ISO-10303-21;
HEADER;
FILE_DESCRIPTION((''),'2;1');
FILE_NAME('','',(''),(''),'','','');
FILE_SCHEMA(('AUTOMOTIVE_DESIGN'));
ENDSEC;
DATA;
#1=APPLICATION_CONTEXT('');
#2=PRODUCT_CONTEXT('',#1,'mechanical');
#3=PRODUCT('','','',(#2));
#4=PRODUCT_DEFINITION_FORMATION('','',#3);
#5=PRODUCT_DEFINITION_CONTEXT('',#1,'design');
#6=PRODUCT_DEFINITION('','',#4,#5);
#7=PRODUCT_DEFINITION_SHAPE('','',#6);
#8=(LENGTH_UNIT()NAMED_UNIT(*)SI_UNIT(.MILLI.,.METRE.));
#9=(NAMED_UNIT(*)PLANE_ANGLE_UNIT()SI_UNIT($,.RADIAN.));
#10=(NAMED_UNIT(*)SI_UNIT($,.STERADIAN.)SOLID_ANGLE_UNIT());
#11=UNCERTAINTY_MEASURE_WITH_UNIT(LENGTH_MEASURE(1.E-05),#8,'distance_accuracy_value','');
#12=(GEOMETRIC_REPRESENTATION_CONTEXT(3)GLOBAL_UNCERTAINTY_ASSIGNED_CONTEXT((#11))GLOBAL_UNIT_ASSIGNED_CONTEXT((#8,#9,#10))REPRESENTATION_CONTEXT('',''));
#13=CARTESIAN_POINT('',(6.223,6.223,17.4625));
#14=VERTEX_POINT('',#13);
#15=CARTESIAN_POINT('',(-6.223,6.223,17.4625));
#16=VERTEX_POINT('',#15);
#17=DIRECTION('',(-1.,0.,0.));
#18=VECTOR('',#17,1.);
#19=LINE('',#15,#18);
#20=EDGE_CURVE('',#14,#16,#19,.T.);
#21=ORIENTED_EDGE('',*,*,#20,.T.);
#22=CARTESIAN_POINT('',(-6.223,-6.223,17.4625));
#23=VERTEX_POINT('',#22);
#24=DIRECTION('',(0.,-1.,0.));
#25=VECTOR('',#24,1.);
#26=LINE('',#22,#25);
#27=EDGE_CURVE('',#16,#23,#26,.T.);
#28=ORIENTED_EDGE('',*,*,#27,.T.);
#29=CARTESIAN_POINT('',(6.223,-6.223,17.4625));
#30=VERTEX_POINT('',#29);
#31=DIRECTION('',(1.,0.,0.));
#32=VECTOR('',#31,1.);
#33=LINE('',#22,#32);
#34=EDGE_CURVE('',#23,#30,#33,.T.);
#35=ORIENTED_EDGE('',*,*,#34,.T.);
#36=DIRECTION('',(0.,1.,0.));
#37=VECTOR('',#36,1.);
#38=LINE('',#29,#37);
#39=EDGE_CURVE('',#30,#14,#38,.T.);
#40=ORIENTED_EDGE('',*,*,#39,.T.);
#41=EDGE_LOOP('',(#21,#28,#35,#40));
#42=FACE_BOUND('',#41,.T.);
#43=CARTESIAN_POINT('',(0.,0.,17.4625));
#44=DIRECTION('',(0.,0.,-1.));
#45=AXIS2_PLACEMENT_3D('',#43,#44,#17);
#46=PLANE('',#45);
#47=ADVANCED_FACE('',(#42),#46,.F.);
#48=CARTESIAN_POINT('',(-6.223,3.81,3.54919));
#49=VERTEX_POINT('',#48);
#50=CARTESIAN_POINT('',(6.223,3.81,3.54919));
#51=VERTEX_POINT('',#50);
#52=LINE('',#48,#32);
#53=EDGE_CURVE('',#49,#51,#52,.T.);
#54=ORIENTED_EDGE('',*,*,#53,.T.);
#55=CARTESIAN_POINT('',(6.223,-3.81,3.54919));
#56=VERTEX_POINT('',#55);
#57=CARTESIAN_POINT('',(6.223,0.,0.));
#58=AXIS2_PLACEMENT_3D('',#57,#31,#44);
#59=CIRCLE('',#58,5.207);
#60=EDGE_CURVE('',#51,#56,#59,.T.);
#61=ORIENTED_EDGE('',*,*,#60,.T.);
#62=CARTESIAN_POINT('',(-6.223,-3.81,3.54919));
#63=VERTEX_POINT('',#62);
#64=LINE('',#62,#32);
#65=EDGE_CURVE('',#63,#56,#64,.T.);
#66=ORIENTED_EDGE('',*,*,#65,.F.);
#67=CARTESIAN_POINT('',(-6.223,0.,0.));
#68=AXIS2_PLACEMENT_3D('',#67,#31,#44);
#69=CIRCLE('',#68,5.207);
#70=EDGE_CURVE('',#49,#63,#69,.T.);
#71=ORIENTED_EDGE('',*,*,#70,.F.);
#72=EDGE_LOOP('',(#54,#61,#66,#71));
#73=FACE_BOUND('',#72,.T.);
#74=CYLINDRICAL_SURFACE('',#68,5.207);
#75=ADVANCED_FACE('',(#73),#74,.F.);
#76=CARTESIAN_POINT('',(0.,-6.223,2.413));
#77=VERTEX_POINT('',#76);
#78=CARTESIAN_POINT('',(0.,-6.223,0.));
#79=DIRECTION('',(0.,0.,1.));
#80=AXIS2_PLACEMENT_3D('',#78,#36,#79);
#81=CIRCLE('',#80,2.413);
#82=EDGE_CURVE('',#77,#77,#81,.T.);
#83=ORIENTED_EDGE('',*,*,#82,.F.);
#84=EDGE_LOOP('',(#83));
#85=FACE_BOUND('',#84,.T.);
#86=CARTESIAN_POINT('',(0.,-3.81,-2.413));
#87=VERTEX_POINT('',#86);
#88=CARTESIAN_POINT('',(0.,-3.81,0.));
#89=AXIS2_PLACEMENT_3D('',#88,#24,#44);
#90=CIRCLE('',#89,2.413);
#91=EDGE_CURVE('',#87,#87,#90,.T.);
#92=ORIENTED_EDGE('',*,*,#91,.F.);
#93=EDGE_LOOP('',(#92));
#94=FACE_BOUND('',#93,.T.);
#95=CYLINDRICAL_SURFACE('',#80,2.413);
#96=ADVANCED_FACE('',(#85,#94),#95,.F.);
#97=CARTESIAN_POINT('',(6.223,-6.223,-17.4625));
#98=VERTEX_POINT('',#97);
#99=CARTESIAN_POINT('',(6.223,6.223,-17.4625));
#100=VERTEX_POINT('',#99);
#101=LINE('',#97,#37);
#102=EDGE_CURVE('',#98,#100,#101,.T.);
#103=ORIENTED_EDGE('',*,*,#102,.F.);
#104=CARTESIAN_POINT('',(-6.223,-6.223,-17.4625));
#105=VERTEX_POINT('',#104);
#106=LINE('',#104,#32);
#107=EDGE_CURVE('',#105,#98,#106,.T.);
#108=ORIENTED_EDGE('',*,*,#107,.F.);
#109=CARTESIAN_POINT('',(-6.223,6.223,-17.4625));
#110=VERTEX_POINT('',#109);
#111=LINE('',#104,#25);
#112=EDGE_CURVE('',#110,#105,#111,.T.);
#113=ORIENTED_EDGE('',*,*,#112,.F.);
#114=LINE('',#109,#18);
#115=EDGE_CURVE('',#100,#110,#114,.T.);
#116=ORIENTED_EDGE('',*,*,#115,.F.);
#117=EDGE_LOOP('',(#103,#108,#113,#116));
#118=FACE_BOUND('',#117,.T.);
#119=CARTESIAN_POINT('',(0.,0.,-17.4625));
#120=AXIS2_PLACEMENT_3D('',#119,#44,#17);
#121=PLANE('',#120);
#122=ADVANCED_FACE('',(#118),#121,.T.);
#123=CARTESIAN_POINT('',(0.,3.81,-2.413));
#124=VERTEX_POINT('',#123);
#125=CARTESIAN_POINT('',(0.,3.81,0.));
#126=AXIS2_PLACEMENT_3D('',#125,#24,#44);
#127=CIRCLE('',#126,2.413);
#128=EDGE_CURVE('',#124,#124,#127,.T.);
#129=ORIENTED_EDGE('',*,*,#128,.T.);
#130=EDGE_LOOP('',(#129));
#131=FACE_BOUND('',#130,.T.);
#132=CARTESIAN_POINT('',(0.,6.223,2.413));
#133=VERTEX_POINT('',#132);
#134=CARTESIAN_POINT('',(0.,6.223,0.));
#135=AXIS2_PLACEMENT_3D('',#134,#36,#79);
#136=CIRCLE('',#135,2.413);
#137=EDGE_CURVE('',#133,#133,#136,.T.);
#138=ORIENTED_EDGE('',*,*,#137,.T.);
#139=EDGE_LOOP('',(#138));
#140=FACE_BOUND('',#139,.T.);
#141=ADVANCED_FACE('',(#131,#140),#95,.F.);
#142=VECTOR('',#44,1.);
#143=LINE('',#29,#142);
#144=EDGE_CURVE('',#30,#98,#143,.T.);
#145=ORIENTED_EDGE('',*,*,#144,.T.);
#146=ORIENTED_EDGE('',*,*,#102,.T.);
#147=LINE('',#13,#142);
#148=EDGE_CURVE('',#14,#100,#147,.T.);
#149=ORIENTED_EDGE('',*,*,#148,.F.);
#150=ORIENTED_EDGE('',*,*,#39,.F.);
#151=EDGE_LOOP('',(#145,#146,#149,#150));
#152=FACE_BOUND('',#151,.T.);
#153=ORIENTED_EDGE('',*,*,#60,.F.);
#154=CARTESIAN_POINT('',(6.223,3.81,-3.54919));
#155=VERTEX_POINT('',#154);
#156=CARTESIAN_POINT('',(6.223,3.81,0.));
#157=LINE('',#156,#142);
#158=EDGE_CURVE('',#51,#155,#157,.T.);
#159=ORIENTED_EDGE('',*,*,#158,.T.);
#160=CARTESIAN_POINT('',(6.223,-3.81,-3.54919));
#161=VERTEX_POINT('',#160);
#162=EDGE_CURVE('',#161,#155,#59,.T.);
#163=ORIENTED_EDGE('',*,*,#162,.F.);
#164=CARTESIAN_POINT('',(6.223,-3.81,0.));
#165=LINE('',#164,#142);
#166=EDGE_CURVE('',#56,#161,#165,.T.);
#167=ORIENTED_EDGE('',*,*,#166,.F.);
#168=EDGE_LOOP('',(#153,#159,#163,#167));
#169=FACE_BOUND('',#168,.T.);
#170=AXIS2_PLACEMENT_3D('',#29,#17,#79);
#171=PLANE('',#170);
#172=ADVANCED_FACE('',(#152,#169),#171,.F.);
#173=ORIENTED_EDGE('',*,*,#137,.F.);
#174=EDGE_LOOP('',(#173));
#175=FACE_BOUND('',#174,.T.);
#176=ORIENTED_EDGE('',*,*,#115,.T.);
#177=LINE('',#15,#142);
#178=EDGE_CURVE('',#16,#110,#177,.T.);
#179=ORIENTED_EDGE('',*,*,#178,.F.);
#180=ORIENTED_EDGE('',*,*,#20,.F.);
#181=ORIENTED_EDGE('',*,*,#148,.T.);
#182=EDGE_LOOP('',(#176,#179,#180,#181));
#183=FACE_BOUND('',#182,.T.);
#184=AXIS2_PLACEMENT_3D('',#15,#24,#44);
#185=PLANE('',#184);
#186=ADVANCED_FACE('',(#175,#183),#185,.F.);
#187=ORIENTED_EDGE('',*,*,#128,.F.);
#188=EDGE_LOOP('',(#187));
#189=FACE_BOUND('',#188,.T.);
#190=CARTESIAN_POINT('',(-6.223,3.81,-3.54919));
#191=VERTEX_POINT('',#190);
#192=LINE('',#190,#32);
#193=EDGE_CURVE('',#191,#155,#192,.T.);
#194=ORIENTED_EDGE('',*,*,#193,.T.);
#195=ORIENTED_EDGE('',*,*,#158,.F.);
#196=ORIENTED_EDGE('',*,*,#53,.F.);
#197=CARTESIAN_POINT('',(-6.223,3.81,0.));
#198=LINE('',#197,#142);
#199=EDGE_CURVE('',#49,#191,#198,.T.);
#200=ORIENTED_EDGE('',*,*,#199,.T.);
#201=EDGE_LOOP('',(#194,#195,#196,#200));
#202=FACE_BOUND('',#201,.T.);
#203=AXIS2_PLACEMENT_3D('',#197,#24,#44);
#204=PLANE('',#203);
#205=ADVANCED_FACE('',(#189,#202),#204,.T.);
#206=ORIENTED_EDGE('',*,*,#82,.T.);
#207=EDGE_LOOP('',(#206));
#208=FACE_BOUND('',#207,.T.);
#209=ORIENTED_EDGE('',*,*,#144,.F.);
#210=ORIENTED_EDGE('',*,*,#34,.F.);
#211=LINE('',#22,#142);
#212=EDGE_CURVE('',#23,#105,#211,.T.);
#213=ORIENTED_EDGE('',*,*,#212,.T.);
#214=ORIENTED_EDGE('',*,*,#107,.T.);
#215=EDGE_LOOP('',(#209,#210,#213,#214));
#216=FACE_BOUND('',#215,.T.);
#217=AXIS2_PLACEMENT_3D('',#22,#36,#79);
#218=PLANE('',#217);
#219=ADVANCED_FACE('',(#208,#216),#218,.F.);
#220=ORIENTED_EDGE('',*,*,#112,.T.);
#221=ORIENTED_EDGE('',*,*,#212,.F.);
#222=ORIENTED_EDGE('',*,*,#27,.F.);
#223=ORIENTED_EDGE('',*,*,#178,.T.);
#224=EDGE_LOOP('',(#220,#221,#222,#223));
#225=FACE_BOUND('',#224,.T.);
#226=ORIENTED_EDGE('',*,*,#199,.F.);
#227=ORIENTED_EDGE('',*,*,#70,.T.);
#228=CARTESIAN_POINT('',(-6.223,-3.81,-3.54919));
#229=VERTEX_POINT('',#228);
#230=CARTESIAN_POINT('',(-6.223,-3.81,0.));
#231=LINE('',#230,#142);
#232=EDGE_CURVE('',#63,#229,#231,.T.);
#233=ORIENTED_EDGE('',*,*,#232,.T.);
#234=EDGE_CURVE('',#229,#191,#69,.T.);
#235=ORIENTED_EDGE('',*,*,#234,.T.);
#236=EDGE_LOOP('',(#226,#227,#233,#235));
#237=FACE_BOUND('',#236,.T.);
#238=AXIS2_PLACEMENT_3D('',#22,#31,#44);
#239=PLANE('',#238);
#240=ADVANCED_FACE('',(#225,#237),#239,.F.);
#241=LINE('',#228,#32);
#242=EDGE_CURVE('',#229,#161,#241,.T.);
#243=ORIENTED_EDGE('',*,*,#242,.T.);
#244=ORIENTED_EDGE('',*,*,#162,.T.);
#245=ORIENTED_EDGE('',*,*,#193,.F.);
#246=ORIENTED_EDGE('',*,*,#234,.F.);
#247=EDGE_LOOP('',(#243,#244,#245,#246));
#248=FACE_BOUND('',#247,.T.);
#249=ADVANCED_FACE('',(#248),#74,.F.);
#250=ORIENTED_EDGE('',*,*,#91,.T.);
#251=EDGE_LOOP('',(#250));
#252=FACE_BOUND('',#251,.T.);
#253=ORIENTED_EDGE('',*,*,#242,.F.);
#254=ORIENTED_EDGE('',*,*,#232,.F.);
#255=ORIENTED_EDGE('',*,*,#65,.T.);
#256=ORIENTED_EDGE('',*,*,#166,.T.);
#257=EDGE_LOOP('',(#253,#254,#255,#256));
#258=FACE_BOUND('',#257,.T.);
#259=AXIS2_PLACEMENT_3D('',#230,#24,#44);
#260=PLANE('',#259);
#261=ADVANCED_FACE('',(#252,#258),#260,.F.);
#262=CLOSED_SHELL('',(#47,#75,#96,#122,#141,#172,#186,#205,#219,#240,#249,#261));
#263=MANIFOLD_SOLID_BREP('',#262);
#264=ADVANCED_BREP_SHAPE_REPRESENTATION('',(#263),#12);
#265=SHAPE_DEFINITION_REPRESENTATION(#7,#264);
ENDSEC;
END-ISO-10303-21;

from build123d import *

# Parameters (mm, degrees)
SKETCH1_W           = 12.446
SKETCH1_H           = 12.446
BOSS_EXTRUDE1_DEPTH = 17.4625
SKETCH2_W           = 7.098379816
SKETCH2_H           = 7.62
CUT_EXTRUDE1_DEPTH  = 23.328626273
SKETCH3_R           = 2.413
CUT_EXTRUDE2_DEPTH  = 23.328626273


with BuildPart() as part:
    # Sketch1 → Boss-Extrude1 (new, symmetric)
    with BuildSketch(Plane.XY):
        Rectangle(SKETCH1_W, SKETCH1_H)
    extrude(amount=BOSS_EXTRUDE1_DEPTH, both=True)

    # Sketch2 → Cut-Extrude1 (cut, through all)
    with BuildSketch(Plane(origin=(6.223, 0, 0), x_dir=(0, 0, -1), z_dir=(1, 0, 0))):
        with BuildLine():
            ThreePointArc((-3.549189908, 3.81), (-5.207, 0), (-3.549189908, -3.81))
            Line((-3.549189908, -3.81), (-3.549189908, 3.81))
        make_face()
        Rectangle(SKETCH2_W, SKETCH2_H)
        with BuildLine():
            Line((3.549189908, 3.81), (3.549189908, -3.81))
            ThreePointArc((3.549189908, -3.81), (4.774593221, -2.077524627), (5.207, 0))
            ThreePointArc((5.207, 0), (4.774593221, 2.077524627), (3.549189908, 3.81))
        make_face()
    extrude(amount=-CUT_EXTRUDE1_DEPTH, mode=Mode.SUBTRACT)

    # Sketch3 → Cut-Extrude2 (cut, through all)
    with BuildSketch(Plane(origin=(0, 6.223, 0), x_dir=(1, 0, 0), z_dir=(0, 1, 0))):
        with Locations(Location((0, 0, 0), (0, 0, 270))):
            Circle(SKETCH3_R)
    extrude(amount=-CUT_EXTRUDE2_DEPTH, mode=Mode.SUBTRACT)


solid = part.part
